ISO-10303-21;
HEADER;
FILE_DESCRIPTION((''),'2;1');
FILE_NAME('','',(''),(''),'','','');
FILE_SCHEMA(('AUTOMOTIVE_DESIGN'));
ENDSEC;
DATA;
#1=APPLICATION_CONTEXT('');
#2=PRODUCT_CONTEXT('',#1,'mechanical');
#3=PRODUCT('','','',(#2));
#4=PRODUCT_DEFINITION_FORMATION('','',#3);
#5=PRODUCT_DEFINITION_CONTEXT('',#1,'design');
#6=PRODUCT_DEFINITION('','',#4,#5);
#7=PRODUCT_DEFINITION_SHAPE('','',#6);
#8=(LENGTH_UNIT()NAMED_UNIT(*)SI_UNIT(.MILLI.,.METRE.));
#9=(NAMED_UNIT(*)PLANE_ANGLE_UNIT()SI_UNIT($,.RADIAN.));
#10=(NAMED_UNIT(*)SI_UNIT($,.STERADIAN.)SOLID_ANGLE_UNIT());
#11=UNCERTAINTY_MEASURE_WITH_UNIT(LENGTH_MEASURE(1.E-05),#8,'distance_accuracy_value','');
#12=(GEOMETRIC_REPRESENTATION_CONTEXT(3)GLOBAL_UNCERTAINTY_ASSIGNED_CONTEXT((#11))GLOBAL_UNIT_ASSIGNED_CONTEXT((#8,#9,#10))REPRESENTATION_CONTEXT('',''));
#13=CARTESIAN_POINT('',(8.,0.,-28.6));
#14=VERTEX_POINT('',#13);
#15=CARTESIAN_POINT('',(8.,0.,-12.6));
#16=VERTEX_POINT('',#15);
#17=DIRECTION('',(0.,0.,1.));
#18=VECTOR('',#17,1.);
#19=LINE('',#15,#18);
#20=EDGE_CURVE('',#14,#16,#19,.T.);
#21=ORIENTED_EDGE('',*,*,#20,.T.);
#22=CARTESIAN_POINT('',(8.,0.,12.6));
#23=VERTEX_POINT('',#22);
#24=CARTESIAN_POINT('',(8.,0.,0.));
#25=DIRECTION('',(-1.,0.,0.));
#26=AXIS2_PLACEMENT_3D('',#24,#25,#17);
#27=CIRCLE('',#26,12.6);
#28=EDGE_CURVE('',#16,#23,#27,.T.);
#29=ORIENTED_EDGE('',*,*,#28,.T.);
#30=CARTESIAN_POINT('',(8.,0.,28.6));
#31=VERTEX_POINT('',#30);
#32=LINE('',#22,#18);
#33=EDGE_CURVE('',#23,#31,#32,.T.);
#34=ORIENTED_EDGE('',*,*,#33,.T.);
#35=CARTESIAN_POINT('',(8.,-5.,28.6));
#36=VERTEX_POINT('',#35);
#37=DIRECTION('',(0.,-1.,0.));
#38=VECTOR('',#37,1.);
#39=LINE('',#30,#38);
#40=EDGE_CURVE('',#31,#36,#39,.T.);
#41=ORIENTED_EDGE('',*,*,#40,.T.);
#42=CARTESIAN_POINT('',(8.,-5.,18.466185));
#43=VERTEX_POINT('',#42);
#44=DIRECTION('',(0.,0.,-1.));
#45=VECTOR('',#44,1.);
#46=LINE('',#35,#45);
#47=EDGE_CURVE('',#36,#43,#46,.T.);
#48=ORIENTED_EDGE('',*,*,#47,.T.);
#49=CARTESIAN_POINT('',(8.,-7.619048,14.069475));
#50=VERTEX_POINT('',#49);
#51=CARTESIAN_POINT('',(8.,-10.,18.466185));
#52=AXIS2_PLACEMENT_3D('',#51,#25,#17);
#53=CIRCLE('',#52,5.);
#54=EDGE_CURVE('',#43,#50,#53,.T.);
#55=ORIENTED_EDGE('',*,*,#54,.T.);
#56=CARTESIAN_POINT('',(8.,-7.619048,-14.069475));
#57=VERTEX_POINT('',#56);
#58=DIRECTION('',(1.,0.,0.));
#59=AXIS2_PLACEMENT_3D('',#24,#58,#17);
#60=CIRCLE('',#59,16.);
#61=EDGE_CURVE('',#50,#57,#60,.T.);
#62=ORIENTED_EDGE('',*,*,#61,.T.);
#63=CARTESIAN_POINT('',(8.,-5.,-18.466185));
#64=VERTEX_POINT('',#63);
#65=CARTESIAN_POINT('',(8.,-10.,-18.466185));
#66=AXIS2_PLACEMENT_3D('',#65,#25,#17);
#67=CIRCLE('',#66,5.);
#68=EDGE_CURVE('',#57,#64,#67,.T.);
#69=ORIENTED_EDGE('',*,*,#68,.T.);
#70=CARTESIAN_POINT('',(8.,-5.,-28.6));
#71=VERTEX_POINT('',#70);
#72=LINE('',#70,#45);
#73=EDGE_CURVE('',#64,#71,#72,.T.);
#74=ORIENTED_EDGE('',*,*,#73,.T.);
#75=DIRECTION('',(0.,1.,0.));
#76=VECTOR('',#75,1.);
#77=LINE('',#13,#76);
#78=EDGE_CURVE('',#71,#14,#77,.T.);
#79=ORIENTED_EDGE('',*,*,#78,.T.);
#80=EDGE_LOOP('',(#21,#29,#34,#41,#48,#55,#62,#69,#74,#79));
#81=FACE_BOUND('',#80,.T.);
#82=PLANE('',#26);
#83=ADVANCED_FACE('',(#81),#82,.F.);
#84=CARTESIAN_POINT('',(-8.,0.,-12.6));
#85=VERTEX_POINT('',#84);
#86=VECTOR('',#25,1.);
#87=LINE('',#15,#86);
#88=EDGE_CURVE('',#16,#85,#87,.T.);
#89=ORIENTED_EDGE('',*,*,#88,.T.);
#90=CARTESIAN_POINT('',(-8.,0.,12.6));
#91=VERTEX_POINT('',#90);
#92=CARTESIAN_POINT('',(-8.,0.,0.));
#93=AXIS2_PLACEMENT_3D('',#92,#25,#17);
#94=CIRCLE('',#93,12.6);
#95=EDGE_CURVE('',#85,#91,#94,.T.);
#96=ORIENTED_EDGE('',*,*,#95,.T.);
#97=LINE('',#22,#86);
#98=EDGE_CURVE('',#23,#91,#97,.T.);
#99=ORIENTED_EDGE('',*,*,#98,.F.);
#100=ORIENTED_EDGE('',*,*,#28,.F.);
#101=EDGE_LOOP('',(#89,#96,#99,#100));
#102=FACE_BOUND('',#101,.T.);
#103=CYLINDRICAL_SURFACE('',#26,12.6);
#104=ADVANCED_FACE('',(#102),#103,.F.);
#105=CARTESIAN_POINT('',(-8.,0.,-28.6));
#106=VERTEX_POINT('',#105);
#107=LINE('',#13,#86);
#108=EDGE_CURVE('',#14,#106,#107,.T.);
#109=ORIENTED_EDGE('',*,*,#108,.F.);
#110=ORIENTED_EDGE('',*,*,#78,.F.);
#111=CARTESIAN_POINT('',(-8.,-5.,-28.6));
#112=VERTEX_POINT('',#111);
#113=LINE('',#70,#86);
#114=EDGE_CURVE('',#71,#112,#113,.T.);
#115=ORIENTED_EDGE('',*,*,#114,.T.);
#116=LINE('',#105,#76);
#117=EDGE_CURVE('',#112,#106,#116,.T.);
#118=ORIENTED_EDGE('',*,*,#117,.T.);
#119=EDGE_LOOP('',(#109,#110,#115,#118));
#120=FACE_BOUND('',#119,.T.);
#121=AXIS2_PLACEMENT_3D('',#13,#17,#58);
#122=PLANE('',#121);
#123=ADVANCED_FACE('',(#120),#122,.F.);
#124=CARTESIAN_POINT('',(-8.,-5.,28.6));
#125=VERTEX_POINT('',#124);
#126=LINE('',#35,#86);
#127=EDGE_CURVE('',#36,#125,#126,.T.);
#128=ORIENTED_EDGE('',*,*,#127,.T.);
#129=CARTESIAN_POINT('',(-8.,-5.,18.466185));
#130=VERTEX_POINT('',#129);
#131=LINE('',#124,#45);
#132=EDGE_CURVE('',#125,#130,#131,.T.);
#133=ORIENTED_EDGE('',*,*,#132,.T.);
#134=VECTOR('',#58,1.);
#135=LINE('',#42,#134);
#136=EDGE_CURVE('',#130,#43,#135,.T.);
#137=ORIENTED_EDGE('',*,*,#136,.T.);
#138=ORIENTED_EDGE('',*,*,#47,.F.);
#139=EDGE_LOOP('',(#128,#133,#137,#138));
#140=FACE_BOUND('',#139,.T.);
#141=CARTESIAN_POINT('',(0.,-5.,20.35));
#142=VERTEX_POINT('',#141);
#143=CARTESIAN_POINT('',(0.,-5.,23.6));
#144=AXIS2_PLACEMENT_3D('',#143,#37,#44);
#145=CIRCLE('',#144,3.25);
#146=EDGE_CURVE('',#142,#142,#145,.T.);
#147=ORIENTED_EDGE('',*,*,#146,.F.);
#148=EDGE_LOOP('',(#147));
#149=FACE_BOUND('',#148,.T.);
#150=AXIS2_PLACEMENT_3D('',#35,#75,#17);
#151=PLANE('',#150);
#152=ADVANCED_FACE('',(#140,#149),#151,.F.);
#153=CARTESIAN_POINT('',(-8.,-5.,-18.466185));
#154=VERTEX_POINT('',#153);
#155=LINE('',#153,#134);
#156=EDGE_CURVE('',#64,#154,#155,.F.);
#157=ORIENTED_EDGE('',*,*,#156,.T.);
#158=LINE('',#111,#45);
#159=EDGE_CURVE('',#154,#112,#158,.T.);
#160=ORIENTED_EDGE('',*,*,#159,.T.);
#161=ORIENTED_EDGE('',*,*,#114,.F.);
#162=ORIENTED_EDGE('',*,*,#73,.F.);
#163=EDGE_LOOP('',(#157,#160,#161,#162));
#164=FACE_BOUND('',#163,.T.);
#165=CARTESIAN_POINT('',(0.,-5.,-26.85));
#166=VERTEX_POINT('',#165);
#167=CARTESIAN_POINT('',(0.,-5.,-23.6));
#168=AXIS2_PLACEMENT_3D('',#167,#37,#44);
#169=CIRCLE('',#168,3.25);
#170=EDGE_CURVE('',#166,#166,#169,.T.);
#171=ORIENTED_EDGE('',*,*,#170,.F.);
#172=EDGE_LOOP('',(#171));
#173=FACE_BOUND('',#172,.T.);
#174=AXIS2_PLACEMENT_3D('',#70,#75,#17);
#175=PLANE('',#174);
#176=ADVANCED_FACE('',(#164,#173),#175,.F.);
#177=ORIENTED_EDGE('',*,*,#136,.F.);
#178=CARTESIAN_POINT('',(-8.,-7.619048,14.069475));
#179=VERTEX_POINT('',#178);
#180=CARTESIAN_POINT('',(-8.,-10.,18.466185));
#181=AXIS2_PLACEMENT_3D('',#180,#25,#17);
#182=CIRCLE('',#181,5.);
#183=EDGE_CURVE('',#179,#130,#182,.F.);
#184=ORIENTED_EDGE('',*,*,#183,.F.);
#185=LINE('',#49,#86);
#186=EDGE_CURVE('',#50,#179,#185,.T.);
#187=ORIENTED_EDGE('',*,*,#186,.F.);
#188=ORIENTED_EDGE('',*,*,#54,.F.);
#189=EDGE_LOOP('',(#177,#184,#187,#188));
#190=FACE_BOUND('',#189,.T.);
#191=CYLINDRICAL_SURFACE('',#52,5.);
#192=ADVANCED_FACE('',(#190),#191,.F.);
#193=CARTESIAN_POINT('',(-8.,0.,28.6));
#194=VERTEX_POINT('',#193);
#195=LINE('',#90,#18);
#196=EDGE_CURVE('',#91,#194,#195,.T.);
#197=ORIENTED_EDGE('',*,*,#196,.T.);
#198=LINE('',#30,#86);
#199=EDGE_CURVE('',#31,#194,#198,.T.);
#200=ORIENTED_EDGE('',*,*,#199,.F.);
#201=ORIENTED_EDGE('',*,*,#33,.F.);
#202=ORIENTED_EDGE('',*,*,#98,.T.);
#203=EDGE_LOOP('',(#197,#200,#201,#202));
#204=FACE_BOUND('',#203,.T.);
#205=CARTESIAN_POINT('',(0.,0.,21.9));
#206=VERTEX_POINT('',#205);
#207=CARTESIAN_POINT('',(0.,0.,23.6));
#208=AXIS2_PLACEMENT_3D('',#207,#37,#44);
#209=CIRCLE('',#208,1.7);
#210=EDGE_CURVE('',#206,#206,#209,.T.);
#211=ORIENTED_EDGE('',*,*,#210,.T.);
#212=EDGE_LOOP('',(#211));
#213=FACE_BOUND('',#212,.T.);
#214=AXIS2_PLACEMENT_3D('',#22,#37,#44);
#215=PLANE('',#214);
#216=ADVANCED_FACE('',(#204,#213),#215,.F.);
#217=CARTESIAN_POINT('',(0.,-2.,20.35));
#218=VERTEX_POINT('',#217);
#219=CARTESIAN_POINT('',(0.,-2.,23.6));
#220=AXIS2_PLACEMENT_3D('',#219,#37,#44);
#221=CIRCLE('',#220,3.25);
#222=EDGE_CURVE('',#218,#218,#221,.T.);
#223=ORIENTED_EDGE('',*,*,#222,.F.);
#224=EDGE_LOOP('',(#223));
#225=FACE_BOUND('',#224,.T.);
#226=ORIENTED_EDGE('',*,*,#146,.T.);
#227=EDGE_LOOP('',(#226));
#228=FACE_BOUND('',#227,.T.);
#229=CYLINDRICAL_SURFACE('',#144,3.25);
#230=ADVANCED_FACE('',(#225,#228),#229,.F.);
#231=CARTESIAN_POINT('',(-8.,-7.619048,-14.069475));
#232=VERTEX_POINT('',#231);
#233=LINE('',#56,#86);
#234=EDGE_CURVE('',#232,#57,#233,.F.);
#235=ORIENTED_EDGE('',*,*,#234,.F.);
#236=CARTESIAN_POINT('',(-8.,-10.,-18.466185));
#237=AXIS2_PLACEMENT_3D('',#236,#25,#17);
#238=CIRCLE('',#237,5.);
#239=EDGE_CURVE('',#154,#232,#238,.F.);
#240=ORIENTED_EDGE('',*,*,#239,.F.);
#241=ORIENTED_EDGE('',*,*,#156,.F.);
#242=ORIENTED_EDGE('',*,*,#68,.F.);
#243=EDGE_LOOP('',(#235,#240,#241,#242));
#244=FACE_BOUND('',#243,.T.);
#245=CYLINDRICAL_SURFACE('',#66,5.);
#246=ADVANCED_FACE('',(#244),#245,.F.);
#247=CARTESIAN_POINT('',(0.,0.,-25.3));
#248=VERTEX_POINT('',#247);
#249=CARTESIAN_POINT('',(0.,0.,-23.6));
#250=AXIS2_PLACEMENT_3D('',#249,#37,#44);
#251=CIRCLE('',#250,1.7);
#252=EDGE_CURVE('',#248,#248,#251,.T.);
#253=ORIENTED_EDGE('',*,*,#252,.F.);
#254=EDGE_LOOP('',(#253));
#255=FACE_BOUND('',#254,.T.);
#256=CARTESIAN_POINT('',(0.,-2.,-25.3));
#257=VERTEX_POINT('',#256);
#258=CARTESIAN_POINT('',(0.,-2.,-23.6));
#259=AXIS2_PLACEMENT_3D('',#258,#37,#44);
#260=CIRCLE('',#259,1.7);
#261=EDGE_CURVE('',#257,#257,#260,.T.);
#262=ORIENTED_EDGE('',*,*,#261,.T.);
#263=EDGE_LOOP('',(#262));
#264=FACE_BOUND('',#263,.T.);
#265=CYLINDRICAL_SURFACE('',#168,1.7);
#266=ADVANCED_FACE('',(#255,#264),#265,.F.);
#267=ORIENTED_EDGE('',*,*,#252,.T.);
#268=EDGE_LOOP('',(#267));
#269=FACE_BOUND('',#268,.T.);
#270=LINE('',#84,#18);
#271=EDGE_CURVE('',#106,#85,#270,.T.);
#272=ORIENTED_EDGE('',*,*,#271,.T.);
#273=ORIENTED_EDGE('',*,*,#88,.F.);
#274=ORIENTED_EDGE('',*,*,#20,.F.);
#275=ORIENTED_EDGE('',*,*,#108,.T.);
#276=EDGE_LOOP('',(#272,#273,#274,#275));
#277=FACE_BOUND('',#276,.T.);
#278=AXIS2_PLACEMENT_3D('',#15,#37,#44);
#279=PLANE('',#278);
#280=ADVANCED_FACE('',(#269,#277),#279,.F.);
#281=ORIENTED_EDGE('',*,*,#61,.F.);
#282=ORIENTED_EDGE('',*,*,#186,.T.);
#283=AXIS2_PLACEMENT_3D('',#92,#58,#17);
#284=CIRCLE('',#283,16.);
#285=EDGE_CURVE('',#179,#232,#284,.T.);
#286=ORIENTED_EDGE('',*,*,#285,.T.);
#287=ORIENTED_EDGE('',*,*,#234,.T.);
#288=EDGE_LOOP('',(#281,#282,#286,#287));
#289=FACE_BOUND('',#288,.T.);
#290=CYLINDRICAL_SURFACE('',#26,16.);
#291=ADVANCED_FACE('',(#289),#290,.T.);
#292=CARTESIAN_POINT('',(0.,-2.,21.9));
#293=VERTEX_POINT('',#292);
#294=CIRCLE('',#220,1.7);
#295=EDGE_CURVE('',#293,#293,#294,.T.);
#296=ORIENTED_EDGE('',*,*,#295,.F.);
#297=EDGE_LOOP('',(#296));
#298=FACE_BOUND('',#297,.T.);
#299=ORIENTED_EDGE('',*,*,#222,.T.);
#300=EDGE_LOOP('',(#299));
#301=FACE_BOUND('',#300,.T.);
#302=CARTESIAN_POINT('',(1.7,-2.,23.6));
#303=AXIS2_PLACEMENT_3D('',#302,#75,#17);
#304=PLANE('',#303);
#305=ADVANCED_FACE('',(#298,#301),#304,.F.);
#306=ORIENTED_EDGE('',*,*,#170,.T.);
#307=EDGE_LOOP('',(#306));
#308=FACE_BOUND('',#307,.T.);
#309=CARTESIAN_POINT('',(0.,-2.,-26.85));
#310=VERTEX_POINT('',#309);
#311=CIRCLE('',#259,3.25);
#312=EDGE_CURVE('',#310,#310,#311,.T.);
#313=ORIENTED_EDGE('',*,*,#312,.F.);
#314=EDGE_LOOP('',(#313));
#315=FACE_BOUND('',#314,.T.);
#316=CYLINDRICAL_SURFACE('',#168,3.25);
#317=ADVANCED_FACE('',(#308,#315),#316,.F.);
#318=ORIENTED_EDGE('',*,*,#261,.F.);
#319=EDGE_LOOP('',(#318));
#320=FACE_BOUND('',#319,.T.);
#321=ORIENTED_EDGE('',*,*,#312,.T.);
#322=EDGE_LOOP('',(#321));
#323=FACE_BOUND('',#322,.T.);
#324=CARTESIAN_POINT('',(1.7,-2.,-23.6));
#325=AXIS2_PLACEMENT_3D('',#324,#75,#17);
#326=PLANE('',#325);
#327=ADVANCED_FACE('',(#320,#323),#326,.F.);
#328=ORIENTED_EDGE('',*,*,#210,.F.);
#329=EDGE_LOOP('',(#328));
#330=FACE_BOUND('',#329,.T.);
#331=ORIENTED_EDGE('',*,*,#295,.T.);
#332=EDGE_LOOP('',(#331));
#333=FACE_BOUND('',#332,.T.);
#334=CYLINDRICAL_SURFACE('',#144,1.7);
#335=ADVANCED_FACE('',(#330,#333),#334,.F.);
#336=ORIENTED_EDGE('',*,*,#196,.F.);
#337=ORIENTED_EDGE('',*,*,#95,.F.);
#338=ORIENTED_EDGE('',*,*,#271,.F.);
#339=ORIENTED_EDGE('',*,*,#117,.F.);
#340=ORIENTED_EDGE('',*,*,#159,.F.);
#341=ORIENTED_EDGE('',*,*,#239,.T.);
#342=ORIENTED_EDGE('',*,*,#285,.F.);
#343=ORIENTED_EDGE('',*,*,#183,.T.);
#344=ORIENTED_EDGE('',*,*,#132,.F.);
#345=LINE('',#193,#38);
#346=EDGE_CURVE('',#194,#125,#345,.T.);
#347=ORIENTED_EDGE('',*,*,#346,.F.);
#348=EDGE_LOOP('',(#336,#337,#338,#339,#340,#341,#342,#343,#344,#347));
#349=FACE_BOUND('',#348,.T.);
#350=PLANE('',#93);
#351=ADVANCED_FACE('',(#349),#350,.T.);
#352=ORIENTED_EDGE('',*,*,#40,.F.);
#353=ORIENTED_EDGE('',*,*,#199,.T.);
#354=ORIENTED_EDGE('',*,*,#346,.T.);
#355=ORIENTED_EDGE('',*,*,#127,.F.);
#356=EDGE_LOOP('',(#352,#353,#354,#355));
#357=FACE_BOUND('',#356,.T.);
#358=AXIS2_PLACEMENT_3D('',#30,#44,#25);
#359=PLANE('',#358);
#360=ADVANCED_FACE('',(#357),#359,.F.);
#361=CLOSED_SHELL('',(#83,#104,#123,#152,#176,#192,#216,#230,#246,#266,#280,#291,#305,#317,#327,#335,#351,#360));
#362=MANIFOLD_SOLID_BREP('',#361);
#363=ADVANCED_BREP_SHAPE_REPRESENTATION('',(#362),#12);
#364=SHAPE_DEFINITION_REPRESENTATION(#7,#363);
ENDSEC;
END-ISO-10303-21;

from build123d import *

# Parameters (mm, degrees)
MOUNT_BOTTOM_DEPTH             = 8
FASTENING_FILET_BOTTOM_R       = 5
CBORE_FOR_M3_SHCS1_D           = 3.4
CBORE_FOR_M3_SHCS1_CBORE_D     = 6.5
CBORE_FOR_M3_SHCS1_CBORE_DEPTH = 3


with BuildPart() as part:
    # Sketch2 → Mount_Bottom (new, symmetric)
    with BuildSketch(Plane(origin=(0, 0, 0), x_dir=(0, 0, -1), z_dir=(1, 0, 0))):
        with BuildLine():
            Line((-12.6, 0), (-28.6, 0))
            Line((-28.6, 0), (-28.6, -5))
            Line((-28.6, -5), (-15.198684154, -5))
            ThreePointArc((-15.198684154, -5), (0, -16), (15.198684154, -5))
            Line((15.198684154, -5), (28.6, -5))
            Line((28.6, -5), (28.6, 0))
            Line((28.6, 0), (12.6, 0))
            ThreePointArc((12.6, 0), (0, -12.6), (-12.6, 0))
        make_face()
    extrude(amount=MOUNT_BOTTOM_DEPTH, both=True)

    # Fastening_Filet_Bottom
    fastening_filet_bottom_edges = [part.edges().sort_by_distance(p)[0] for p in [
        (0, -5, -15.198684154),
        (0, -5, 15.198684154),
    ]]
    fillet(fastening_filet_bottom_edges, radius=FASTENING_FILET_BOTTOM_R)

    # CBORE for M3 SHCS1 (through all)
    with Locations(Plane.XZ.offset(5)):
        with Locations((0, 23.6), (0, -23.6)):
            CounterBoreHole(CBORE_FOR_M3_SHCS1_D / 2, CBORE_FOR_M3_SHCS1_CBORE_D / 2, CBORE_FOR_M3_SHCS1_CBORE_DEPTH)


solid = part.part
